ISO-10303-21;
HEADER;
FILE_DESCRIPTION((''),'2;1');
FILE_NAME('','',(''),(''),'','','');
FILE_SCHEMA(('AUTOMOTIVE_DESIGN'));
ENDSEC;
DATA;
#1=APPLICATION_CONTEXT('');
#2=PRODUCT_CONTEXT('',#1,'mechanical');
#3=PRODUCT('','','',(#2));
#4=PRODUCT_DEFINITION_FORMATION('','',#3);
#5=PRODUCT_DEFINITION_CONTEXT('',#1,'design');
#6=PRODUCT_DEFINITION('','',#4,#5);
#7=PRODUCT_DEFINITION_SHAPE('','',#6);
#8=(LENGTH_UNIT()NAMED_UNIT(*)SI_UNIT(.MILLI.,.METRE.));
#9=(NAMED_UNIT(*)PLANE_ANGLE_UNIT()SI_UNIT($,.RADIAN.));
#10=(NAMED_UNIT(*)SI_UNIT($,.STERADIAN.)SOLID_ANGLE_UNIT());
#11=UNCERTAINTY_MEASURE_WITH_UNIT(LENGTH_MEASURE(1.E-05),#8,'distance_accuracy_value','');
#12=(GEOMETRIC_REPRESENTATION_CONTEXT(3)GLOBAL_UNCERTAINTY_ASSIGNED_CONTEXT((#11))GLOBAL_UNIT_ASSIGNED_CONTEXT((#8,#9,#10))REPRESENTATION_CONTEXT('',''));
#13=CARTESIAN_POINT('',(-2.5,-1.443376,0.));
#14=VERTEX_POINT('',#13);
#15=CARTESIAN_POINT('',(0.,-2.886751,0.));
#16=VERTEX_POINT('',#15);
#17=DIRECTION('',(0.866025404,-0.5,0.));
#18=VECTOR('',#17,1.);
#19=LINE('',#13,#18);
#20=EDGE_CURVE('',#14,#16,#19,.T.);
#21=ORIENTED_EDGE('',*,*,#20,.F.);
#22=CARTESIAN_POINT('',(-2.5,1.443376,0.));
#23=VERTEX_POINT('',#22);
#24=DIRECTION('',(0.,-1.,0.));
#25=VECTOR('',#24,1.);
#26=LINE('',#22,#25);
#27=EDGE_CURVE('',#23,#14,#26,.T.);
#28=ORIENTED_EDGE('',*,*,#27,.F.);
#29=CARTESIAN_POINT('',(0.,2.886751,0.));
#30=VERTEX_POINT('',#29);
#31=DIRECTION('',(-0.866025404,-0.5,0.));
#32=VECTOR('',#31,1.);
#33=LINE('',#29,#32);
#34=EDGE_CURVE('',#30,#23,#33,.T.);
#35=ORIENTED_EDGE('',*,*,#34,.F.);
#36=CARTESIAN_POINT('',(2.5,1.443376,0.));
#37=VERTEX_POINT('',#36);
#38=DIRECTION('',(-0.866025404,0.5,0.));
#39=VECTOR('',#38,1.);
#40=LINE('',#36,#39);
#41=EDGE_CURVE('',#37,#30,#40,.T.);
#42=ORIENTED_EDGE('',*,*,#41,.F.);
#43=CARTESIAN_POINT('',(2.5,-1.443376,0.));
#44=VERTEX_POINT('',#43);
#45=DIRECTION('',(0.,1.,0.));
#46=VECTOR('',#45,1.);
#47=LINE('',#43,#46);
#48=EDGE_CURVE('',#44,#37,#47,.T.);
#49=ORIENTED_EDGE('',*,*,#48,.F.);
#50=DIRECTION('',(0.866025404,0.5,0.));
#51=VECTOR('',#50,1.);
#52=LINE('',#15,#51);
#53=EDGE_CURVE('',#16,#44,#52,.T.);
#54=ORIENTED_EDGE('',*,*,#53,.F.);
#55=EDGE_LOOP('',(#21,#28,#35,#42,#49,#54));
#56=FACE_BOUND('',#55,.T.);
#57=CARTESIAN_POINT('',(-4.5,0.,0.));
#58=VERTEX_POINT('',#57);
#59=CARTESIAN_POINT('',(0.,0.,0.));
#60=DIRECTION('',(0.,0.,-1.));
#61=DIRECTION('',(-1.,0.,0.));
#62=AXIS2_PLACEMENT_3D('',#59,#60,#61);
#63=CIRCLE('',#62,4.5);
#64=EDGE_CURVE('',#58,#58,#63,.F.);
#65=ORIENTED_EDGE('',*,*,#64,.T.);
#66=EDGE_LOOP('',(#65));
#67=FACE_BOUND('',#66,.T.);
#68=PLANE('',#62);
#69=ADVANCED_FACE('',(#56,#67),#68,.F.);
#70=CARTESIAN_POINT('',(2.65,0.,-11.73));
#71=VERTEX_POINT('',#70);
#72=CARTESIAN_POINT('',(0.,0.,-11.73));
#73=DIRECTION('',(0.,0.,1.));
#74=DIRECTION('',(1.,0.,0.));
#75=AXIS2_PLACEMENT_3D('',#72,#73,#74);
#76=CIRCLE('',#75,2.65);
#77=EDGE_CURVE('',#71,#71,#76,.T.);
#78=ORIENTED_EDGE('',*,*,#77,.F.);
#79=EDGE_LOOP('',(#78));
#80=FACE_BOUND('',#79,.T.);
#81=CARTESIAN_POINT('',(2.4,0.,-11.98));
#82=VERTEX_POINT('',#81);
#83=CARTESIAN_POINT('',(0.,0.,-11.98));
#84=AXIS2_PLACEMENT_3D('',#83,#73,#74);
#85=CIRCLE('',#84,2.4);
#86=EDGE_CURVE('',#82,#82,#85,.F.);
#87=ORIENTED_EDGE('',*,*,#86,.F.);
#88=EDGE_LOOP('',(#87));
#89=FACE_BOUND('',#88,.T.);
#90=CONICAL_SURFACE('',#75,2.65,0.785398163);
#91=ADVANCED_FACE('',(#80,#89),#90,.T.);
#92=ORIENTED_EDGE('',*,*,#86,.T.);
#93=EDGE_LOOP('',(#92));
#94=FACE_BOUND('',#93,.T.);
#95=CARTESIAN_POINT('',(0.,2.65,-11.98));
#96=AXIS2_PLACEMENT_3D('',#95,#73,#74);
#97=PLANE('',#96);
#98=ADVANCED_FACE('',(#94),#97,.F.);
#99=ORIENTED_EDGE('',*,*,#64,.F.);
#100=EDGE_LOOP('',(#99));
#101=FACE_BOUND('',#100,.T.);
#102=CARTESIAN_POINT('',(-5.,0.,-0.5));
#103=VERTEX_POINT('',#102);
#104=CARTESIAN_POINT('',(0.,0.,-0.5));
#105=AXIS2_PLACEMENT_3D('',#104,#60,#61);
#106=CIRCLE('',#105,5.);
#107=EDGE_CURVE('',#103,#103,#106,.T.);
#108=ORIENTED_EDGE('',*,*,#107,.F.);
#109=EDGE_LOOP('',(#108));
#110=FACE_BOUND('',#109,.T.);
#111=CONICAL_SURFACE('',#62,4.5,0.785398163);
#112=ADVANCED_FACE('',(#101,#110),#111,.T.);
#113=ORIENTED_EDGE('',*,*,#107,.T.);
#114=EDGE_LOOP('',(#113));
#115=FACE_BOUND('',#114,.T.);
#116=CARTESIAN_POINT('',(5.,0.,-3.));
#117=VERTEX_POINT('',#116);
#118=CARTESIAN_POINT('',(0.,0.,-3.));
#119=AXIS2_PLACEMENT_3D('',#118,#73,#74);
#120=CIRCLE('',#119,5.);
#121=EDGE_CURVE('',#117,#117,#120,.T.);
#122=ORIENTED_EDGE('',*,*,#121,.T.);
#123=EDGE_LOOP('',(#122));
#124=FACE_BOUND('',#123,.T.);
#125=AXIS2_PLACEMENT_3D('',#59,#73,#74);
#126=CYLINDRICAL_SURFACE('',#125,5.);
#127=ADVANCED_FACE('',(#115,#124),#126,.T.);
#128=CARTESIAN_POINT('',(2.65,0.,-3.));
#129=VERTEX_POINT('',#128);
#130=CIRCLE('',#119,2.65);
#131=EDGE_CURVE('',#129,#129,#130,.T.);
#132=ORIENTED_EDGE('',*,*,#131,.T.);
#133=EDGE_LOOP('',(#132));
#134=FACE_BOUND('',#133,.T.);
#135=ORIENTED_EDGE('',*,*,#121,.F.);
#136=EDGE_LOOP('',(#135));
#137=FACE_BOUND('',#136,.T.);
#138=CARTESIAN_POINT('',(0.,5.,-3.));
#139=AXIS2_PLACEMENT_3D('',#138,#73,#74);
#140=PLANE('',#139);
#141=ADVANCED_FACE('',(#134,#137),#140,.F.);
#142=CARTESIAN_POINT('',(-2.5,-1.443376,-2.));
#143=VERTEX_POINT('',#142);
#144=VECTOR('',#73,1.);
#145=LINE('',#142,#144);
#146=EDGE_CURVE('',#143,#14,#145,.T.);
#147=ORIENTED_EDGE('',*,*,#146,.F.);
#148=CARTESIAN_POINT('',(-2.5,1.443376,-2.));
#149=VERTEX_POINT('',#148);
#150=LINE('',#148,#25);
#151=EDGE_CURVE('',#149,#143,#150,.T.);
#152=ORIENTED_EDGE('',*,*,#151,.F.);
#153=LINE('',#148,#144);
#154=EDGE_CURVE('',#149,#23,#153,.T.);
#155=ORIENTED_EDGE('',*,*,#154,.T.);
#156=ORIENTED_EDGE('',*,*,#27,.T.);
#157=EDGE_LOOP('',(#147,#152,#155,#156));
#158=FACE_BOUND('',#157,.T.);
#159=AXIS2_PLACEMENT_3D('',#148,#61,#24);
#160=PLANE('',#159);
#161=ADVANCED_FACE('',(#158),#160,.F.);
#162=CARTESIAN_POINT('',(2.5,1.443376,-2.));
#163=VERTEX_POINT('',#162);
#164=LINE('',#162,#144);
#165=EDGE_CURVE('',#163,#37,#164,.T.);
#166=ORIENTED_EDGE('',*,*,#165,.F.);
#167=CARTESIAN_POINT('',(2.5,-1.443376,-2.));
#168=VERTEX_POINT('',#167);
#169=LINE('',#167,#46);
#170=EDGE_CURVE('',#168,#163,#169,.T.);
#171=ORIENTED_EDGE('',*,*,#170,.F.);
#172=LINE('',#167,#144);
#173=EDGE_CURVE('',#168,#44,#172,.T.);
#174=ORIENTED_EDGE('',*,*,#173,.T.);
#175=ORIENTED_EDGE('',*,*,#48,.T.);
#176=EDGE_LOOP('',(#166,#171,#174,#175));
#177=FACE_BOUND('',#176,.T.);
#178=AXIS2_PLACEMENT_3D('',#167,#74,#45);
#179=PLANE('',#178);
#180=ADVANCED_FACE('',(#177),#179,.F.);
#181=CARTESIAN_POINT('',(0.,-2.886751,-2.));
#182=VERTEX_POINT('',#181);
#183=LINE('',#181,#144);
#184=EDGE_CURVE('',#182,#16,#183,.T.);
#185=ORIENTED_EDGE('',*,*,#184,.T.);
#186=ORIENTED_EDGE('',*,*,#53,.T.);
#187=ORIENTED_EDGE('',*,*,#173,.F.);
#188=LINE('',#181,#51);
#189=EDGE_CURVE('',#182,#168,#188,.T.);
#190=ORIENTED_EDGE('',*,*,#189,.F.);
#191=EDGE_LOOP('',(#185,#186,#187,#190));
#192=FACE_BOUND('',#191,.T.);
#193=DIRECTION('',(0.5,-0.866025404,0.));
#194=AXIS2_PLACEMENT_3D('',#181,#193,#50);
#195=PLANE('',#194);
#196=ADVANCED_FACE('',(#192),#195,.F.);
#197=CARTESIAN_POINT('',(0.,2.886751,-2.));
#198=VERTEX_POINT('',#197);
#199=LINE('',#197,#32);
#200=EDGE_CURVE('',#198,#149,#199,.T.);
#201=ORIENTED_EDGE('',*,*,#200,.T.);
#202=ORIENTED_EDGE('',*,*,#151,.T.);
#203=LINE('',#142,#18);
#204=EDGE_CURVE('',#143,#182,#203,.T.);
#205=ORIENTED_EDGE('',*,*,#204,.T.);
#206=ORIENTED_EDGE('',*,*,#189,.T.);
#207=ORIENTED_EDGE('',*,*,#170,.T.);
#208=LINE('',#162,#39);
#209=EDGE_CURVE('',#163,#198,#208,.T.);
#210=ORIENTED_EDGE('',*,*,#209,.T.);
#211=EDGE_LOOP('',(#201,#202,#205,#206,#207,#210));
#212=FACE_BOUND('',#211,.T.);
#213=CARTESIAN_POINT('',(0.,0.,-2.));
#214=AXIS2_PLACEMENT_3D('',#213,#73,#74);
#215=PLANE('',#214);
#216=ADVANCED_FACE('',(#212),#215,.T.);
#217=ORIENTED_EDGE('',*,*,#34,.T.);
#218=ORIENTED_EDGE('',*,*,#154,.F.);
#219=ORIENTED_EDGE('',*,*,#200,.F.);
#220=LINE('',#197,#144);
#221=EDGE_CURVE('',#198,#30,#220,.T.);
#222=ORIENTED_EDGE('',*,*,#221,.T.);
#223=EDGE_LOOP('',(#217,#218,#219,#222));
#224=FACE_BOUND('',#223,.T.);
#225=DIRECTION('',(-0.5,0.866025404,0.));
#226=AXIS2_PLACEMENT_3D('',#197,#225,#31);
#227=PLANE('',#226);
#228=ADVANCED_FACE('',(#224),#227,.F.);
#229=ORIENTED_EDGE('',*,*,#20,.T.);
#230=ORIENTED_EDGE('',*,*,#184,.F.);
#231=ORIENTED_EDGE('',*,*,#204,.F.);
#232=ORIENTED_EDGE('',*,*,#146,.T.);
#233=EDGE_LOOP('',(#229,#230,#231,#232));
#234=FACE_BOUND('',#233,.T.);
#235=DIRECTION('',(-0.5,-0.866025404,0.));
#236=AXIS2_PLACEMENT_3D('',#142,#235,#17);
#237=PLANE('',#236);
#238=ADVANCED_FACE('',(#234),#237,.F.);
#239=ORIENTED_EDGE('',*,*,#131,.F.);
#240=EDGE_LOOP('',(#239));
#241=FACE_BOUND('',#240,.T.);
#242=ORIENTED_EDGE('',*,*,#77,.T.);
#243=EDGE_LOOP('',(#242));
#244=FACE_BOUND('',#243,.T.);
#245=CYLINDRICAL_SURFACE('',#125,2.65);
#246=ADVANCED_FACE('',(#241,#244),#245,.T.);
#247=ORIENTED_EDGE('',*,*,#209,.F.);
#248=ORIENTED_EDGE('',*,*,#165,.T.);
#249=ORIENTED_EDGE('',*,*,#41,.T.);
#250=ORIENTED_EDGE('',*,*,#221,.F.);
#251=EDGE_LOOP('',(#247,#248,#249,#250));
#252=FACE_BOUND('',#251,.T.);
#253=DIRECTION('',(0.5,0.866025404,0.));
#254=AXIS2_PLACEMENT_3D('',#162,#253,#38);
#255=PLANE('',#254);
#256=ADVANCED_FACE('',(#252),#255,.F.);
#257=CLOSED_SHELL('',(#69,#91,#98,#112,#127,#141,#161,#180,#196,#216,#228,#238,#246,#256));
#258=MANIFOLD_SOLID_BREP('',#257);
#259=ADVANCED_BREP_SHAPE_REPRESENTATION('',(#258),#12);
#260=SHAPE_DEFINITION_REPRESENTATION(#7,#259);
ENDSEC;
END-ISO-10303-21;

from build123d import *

# Parameters (mm, degrees)
CUT_EXTRUDE2_DEPTH = 2
CHAMFER1_SIZE      = 0.5
CHAMFER2_SIZE      = 0.25


with BuildPart() as part:
    # Sketch1 → Revolve1 (revolve)
    with BuildSketch(Plane(origin=(0, 0, 0), x_dir=(0, 0, -1), z_dir=(1, 0, 0))):
        Polygon((0, 0), (0, 5), (3, 5), (3, 2.65), (11.98, 2.65), (11.98, 0), align=None)
    revolve(axis=Axis((0, 0, 0), (0, 0, -1)))

    # Sketch2 → Cut-Extrude2 (cut)
    with BuildSketch(Plane.XY):
        Polygon((0, 2.886751346), (-2.5, 1.443375673), (-2.5, -1.443375673), (0, -2.886751346), (2.5, -1.443375673), (2.5, 1.443375673), align=None)
    extrude(amount=-CUT_EXTRUDE2_DEPTH, mode=Mode.SUBTRACT)

    # Chamfer1
    chamfer1_edges = [part.edges().sort_by_distance(p)[0] for p in [
        (0, -5, 0),
    ]]
    chamfer(chamfer1_edges, length=CHAMFER1_SIZE)

    # Chamfer2
    chamfer2_edges = [part.edges().sort_by_distance(p)[0] for p in [
        (0, -2.65, -11.98),
    ]]
    chamfer(chamfer2_edges, length=CHAMFER2_SIZE)


solid = part.part
